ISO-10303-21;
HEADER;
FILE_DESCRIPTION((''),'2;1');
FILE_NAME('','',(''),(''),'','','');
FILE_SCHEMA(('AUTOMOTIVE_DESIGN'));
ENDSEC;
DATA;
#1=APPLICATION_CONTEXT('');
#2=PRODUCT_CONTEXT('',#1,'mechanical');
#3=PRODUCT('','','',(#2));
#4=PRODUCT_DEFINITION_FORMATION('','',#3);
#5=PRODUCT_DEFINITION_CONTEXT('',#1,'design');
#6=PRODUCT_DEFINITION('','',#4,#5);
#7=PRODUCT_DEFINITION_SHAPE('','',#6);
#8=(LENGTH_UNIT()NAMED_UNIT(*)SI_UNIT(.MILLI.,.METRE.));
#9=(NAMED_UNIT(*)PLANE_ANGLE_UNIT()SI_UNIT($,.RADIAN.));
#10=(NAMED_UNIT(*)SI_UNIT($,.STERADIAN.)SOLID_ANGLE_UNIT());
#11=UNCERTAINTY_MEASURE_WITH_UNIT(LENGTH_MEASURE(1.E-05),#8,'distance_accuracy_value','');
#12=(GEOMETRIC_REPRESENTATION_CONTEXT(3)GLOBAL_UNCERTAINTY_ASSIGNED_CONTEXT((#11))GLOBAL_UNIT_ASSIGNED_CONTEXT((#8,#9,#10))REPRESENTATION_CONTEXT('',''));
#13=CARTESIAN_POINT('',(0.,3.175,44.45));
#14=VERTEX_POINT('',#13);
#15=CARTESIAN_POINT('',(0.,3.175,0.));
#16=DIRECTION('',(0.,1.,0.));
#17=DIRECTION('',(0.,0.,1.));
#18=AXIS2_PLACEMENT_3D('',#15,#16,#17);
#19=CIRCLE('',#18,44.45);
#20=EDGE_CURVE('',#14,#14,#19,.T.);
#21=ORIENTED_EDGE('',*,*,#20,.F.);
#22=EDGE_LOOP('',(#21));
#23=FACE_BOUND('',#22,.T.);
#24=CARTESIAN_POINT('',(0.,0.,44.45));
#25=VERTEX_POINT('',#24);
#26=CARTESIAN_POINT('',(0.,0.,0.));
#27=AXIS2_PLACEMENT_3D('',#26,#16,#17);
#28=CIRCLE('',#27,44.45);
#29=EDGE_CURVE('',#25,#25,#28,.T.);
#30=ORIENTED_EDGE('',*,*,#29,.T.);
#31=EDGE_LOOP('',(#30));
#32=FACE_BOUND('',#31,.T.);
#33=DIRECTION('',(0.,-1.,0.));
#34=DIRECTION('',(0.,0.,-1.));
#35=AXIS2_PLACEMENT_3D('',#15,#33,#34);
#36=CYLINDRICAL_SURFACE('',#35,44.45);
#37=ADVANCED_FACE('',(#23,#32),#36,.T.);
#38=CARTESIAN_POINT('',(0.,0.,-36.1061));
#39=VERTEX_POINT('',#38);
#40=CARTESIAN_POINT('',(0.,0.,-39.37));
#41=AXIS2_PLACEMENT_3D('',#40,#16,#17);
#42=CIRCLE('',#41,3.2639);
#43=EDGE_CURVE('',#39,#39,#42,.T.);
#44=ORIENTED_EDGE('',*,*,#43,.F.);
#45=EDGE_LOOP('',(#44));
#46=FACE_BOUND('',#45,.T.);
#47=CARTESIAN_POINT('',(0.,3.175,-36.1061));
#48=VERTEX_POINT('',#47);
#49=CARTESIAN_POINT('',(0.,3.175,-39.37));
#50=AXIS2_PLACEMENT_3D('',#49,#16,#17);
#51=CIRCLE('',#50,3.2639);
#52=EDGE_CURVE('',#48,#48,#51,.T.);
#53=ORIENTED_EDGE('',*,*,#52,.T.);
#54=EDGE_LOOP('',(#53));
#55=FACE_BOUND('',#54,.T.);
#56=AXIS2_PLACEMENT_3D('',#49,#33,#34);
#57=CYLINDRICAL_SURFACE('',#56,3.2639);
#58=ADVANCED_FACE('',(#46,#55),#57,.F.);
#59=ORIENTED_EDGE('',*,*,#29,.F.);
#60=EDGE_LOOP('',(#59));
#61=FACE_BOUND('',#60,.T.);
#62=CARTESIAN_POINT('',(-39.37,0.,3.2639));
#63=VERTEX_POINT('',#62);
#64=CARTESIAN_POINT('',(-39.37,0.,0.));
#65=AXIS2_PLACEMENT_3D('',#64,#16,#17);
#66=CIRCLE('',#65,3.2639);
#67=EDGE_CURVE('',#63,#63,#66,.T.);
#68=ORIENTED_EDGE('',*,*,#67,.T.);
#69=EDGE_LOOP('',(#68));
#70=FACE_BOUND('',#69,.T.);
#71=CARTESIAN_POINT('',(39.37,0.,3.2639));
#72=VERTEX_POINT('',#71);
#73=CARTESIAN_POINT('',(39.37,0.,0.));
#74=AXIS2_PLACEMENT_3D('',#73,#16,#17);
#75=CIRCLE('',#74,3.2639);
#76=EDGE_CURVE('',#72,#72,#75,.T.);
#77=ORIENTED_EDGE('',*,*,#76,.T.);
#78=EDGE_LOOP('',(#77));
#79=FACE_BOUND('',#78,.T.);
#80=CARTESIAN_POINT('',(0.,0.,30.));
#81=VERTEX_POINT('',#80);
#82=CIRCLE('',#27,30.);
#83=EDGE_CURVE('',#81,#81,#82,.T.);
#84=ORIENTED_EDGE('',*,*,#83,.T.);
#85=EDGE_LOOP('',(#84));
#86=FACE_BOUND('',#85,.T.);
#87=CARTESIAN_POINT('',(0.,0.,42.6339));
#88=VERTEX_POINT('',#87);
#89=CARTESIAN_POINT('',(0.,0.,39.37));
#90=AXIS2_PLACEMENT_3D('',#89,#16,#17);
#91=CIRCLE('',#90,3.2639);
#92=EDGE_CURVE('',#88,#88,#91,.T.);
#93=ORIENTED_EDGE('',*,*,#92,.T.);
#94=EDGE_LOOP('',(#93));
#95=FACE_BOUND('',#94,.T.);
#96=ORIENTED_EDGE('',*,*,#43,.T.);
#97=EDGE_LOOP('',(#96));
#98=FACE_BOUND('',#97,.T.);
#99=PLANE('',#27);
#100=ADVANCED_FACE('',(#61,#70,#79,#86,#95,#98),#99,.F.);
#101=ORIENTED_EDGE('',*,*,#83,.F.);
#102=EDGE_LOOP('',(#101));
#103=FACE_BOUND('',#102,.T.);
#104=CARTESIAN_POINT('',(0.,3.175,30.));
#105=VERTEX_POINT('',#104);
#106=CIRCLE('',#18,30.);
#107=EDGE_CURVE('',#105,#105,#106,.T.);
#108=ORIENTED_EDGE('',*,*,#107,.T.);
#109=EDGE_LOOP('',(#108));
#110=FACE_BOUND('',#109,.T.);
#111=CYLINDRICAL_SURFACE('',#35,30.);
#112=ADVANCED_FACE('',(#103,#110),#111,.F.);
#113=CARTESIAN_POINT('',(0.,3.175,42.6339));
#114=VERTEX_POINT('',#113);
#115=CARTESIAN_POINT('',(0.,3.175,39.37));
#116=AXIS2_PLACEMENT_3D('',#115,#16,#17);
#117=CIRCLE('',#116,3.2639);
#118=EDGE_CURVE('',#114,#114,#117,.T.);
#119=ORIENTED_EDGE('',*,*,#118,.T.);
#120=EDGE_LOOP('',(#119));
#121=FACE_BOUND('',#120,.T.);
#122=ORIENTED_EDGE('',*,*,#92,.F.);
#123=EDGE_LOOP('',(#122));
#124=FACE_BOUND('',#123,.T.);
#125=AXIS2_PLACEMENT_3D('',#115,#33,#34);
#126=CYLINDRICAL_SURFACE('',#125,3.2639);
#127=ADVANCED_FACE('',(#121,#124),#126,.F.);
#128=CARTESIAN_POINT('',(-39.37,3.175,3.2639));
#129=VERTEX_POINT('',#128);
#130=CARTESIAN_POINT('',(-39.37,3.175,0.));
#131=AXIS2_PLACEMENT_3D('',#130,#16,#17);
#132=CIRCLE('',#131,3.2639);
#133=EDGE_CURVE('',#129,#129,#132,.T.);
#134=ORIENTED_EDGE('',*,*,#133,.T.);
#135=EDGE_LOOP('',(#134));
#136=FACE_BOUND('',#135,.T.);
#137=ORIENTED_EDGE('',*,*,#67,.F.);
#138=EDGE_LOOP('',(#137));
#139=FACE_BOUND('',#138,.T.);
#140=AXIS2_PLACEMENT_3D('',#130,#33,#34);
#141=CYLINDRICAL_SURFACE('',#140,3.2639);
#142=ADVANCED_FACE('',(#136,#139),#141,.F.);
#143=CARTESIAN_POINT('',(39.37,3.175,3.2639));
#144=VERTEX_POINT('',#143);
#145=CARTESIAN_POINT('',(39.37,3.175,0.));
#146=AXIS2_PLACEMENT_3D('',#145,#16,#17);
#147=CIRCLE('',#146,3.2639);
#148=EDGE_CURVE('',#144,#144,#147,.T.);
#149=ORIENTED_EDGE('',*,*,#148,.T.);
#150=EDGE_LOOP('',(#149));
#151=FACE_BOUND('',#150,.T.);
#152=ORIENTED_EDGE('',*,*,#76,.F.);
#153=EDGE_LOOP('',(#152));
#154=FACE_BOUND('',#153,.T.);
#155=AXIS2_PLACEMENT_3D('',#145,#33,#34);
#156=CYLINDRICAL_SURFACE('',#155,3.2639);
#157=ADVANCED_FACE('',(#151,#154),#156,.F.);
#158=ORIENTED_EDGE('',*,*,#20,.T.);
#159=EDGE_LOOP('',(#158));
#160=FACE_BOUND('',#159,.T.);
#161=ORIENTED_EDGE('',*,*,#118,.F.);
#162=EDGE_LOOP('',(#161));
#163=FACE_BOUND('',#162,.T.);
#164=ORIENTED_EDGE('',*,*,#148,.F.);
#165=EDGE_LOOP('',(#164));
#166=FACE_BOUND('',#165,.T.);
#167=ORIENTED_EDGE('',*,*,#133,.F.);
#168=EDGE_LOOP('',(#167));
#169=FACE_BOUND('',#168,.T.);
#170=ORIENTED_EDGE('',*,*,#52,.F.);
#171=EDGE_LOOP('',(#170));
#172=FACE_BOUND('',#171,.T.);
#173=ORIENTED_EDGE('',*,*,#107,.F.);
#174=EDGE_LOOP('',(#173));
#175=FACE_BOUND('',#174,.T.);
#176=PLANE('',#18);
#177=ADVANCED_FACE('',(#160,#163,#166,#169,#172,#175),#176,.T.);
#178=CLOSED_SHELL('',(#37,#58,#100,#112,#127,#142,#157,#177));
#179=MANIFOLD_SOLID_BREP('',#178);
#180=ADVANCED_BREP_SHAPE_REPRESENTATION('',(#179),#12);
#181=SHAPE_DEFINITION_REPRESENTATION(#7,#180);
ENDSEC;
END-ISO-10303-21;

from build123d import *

# Parameters (mm, degrees)
SKETCH1_R           = 44.45
SKETCH1_R_2         = 30
SKETCH1_R_3         = 3.2639
BOSS_EXTRUDE1_DEPTH = 3.175


with BuildPart() as part:
    # Sketch1 → Boss-Extrude1 (new body)
    with BuildSketch(Plane(origin=(0, 0, 0), x_dir=(1, 0, 0), z_dir=(0, 1, 0))):
        with Locations(Location((0, 0, 0), (0, 0, 270))):
            Circle(SKETCH1_R)
        with Locations(Location((0, 0, 0), (0, 0, 270))):
            Circle(SKETCH1_R_2, mode=Mode.SUBTRACT)
        with Locations(Location((0, 39.37, 0), (0, 0, 270))):
            Circle(SKETCH1_R_3, mode=Mode.SUBTRACT)
        with Locations(Location((39.37, 0, 0), (0, 0, 270))):
            Circle(SKETCH1_R_3, mode=Mode.SUBTRACT)
        with Locations(Location((0, -39.37, 0), (0, 0, 270))):
            Circle(SKETCH1_R_3, mode=Mode.SUBTRACT)
        with Locations(Location((-39.37, 0, 0), (0, 0, 270))):
            Circle(SKETCH1_R_3, mode=Mode.SUBTRACT)
    extrude(amount=BOSS_EXTRUDE1_DEPTH)


solid = part.part
